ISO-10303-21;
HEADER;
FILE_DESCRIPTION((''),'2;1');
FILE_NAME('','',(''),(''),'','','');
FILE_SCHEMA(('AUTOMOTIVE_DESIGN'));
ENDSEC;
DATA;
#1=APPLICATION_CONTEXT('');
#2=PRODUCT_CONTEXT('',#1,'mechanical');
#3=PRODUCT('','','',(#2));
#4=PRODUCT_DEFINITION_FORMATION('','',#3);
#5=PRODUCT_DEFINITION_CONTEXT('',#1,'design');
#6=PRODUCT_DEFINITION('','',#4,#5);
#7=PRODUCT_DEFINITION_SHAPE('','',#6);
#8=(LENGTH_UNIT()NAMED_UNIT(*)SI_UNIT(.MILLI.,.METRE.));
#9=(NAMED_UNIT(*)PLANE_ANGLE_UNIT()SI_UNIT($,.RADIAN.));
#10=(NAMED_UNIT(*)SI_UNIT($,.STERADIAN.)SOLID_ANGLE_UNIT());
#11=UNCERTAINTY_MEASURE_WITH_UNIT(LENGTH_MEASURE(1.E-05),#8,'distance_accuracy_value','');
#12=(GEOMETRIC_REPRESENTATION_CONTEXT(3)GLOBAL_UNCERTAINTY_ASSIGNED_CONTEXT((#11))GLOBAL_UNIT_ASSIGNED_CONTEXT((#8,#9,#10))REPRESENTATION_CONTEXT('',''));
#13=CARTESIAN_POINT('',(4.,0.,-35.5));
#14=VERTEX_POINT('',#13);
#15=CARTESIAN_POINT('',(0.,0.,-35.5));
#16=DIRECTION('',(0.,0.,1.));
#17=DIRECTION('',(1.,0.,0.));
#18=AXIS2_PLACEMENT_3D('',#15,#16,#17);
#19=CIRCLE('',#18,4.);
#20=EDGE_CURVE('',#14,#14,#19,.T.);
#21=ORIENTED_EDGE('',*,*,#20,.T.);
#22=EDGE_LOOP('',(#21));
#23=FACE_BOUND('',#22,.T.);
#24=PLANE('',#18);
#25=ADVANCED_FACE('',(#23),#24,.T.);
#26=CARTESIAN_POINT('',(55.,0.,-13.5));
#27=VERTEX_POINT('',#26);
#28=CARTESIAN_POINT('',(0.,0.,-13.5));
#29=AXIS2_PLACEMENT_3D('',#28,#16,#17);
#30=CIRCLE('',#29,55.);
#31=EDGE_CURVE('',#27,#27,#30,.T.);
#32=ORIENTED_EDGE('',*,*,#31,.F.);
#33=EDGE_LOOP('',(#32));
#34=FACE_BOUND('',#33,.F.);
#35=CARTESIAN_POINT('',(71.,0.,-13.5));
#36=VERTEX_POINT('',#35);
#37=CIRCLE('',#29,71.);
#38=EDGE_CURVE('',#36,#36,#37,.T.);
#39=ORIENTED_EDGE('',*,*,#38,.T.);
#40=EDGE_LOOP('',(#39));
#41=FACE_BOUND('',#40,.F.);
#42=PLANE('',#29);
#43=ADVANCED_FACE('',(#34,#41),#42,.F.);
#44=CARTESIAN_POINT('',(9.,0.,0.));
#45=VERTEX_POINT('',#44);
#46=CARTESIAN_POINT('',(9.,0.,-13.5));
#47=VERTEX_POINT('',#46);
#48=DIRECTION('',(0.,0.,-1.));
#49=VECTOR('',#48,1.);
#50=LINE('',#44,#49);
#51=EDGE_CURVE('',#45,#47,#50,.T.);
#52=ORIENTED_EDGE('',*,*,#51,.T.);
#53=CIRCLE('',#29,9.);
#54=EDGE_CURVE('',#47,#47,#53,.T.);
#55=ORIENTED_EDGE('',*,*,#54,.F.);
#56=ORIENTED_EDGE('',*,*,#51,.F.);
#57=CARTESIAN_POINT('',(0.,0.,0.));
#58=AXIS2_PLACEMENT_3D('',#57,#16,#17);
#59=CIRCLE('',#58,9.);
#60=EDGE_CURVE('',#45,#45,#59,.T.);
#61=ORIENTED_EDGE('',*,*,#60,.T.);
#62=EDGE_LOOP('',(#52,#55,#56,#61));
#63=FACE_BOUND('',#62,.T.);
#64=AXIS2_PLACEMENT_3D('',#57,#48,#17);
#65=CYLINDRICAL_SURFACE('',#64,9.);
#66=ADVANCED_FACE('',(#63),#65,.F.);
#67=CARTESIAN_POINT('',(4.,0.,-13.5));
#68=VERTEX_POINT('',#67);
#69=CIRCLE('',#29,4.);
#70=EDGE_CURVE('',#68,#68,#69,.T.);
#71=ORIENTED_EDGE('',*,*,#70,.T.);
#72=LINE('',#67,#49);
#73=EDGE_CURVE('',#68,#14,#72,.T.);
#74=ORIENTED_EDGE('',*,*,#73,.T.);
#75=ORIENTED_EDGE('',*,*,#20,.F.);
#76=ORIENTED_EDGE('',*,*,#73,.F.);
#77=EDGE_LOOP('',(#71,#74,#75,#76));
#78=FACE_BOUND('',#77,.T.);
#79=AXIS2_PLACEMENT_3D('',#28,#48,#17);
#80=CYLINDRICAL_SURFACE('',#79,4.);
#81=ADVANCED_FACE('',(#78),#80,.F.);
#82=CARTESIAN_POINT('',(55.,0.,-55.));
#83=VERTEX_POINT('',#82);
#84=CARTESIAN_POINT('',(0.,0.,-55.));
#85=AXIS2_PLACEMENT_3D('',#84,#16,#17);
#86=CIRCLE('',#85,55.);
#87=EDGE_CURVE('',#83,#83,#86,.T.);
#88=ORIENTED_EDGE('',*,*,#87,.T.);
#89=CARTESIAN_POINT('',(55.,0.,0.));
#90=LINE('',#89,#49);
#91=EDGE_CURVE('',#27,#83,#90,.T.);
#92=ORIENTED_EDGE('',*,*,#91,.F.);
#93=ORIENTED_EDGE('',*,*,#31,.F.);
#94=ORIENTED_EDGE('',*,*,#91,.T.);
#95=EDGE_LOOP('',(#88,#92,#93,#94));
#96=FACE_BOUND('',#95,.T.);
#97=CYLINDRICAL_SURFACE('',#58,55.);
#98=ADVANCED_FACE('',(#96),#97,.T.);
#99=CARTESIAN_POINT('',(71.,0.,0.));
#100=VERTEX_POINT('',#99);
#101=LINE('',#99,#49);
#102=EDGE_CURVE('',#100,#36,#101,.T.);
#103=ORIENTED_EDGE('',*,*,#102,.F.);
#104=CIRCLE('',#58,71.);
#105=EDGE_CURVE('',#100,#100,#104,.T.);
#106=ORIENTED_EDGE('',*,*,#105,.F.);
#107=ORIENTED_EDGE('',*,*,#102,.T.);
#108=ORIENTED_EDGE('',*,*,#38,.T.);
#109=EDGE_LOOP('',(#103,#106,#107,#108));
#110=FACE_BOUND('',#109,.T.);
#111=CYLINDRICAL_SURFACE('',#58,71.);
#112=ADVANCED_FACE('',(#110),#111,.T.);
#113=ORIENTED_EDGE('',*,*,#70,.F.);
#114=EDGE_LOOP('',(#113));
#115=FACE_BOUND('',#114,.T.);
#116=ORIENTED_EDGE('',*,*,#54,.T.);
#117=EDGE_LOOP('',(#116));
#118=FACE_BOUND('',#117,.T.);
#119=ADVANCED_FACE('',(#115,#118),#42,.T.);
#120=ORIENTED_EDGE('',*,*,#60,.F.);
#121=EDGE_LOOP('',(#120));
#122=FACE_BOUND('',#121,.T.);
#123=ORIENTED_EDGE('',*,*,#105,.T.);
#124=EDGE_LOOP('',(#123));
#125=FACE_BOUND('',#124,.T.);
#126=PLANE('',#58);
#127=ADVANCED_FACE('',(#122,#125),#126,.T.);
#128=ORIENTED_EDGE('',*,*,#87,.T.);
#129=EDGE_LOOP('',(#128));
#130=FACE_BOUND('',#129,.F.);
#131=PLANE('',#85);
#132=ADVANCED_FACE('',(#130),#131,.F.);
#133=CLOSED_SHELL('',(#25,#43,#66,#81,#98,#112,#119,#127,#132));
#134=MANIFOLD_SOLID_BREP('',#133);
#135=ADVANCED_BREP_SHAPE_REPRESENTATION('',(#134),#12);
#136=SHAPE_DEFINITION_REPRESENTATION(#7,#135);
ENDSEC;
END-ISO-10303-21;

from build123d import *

# Parameters (mm, degrees)
SKETCH128_R   = 71
SKETCH128_R_2 = 9
PAD050_DEPTH  = 13.5
SKETCH131_R   = 55
PAD052_DEPTH  = 55


with BuildPart() as part:
    # Sketch128 → Pad050 (new body)
    with BuildSketch(Plane.XY):
        Circle(SKETCH128_R)
        Circle(SKETCH128_R_2, mode=Mode.SUBTRACT)
    extrude(amount=-PAD050_DEPTH)

    # Sketch131 → Pad052 (join)
    with BuildSketch(Plane.XY):
        Circle(SKETCH131_R)
    extrude(amount=-PAD052_DEPTH)

    # Sketch130 → Groove (revolve, cut)
    with BuildSketch(Plane.XZ):
        Polygon((0, 0), (9, 0), (9, -13.5), (4, -13.5), (4, -35.5), (0, -35.5), align=None)
    revolve(axis=Axis((0, 0, 0), (0, 0, 1)), mode=Mode.SUBTRACT)


solid = part.part
